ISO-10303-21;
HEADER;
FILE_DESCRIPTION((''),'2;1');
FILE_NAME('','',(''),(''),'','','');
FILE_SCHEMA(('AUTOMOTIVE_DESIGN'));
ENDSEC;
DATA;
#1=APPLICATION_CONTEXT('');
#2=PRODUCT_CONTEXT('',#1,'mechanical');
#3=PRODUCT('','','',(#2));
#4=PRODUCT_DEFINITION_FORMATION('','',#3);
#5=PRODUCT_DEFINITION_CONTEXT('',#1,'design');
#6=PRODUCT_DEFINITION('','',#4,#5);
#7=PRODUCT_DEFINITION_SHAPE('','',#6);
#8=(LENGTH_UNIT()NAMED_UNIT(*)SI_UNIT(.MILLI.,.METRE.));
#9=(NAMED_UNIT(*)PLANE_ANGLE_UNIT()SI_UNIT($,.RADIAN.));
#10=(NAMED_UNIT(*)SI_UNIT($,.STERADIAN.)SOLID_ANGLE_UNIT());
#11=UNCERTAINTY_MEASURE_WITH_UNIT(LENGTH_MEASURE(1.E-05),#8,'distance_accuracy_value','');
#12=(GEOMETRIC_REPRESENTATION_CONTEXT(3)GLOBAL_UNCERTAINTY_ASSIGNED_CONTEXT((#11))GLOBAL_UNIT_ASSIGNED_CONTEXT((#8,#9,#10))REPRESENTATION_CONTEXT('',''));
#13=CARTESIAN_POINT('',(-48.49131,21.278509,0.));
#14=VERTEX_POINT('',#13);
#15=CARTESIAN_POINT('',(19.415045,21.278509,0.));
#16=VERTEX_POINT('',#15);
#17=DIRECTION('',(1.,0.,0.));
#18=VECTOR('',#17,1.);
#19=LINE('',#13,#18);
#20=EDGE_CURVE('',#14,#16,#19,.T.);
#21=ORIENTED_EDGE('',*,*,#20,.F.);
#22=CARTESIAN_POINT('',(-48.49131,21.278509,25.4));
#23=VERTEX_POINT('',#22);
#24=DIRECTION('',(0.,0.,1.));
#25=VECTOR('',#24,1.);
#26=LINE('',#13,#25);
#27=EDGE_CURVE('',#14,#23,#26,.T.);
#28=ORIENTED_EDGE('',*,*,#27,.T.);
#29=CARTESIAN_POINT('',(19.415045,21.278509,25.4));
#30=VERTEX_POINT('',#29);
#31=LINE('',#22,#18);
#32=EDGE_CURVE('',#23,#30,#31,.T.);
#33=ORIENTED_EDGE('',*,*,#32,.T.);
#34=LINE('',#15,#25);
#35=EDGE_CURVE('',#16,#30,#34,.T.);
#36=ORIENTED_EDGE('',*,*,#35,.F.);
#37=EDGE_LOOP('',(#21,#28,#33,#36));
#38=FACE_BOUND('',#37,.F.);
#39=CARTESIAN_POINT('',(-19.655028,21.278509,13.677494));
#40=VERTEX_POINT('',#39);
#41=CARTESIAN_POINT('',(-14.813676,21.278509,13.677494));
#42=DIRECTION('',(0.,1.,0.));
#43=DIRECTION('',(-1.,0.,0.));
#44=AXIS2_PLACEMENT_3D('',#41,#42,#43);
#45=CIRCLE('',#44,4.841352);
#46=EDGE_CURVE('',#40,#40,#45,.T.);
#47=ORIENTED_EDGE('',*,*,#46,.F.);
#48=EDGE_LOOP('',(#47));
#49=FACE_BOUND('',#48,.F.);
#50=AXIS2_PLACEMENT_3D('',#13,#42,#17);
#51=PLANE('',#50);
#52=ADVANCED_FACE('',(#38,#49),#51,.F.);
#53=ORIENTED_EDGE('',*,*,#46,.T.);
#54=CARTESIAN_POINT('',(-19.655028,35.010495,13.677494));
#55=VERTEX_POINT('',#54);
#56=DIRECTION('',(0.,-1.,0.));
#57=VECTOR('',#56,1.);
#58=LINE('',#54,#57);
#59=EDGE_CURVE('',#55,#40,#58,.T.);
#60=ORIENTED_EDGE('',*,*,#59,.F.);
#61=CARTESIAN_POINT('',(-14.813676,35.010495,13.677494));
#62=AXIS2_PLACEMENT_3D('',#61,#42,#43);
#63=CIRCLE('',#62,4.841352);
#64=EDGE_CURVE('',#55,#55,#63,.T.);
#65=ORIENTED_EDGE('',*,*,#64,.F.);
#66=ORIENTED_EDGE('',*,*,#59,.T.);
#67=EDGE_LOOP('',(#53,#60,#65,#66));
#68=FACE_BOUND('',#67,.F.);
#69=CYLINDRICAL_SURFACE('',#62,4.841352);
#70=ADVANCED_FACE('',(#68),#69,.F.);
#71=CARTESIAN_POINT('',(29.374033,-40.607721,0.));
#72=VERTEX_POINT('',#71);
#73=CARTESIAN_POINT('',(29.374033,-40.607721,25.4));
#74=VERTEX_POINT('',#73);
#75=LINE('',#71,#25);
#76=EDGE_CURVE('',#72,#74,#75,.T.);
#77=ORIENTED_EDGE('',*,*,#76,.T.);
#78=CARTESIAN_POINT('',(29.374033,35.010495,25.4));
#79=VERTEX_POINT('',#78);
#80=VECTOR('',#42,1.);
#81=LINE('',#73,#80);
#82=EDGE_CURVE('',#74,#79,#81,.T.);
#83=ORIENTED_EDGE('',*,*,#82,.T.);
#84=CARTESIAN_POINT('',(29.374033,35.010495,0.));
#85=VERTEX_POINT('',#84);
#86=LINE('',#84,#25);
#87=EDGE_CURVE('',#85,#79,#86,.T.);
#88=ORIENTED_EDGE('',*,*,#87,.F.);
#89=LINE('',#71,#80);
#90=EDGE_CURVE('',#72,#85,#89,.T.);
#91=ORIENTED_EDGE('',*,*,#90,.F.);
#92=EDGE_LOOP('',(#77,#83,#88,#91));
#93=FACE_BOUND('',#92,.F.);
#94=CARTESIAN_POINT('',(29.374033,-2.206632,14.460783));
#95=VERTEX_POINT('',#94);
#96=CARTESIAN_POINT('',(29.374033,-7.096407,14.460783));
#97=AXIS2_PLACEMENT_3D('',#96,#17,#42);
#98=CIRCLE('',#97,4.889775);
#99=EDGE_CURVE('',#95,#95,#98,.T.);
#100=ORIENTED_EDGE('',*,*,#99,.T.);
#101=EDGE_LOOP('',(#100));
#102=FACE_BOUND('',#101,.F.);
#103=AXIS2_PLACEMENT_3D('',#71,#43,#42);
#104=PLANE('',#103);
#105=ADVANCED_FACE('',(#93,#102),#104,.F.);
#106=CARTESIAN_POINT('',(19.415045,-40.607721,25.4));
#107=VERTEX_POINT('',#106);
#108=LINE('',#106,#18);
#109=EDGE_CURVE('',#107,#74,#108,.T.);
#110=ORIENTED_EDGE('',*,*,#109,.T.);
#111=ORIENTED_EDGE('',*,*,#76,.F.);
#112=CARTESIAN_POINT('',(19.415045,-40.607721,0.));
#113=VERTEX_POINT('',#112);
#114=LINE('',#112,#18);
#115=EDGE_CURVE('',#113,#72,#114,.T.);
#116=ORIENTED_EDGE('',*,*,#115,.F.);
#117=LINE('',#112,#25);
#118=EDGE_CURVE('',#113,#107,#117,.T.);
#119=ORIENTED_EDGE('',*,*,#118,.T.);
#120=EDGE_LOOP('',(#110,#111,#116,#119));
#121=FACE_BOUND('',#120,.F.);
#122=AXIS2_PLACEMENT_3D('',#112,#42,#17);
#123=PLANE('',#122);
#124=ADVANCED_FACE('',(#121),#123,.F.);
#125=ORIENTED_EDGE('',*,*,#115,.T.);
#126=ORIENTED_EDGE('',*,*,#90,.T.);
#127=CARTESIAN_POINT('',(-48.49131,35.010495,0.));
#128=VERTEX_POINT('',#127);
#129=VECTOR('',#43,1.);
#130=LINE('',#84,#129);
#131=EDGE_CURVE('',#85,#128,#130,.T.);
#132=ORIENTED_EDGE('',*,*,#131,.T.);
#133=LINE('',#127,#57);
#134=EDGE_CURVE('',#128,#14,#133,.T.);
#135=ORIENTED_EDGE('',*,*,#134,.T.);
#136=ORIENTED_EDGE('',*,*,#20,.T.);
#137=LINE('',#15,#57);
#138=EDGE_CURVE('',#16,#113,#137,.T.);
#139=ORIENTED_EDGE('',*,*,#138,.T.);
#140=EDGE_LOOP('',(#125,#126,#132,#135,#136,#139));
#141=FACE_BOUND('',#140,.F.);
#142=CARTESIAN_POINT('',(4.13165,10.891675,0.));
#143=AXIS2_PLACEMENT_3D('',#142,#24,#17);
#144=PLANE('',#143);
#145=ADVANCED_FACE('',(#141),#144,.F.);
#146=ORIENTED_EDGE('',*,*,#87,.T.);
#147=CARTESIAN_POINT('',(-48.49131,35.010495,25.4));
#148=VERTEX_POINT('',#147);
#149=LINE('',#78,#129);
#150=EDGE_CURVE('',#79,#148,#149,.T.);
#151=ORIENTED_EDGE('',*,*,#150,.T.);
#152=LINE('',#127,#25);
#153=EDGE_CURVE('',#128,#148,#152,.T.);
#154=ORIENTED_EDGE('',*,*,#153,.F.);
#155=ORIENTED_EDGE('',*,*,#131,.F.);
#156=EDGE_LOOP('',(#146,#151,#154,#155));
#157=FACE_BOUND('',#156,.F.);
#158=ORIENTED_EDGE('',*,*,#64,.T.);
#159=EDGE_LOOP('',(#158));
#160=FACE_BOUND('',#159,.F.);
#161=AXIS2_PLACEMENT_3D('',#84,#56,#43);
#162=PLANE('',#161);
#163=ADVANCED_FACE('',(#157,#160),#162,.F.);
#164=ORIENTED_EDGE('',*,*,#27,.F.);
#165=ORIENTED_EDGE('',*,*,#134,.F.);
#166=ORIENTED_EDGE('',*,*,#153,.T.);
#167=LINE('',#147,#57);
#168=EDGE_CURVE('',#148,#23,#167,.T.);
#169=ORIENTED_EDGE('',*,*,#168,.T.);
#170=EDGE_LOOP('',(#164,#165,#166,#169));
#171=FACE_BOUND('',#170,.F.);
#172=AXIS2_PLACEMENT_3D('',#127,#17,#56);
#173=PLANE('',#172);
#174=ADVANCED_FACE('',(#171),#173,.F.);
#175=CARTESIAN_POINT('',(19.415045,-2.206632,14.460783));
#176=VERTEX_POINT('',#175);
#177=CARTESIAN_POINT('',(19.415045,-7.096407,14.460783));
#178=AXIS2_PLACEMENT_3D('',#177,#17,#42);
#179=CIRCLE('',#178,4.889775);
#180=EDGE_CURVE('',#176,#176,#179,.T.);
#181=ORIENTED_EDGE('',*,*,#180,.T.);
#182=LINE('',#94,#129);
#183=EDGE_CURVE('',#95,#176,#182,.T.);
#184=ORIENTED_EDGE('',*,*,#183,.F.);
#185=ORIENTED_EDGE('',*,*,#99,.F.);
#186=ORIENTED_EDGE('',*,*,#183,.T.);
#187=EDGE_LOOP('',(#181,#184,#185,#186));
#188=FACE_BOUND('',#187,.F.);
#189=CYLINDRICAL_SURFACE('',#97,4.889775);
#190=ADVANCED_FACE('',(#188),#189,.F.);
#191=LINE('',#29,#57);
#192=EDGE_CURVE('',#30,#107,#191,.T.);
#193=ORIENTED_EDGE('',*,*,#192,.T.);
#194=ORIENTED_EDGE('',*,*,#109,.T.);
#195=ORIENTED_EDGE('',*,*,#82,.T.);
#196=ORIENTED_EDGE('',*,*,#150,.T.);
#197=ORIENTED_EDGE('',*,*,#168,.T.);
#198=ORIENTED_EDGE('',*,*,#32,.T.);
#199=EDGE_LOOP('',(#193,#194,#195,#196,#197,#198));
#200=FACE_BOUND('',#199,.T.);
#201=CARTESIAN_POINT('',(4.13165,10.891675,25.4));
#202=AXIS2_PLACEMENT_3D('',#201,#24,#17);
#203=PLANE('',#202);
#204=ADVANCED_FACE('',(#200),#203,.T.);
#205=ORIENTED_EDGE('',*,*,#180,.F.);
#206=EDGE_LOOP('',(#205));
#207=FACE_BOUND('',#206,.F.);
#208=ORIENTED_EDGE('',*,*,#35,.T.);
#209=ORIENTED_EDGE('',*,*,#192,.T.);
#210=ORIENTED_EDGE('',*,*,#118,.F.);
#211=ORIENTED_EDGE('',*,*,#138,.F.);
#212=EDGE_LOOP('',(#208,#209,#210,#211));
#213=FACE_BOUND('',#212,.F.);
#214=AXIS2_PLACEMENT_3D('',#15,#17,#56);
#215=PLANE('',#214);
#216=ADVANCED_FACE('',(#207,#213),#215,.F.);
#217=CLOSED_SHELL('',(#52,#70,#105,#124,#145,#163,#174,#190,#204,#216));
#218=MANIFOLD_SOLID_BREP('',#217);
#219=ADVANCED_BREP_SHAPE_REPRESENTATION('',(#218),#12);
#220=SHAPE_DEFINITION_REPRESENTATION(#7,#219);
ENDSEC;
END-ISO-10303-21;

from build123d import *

# Parameters (mm, degrees)
F1_DEPTH = 25.4
F2_R     = 4.889775
F3_DEPTH = 25.4
F4_R     = 4.841352
F5_DEPTH = 14.478


with BuildPart() as f1:
    # F0 (on Top) → F1 (new body)
    with BuildSketch(Plane.XY):
        Polygon((29.374033, 35.010495), (-48.49131, 35.010495), (-48.49131, 21.278509), (19.415045, 21.278509), (19.415045, -40.607721), (29.374033, -40.607721), align=None)
    extrude(amount=F1_DEPTH)

    # F2 (on face) → F3 (cut)
    with BuildSketch(Plane.YZ.offset(29.374033)):
        with Locations((-7.096407, 14.460783)):
            Circle(F2_R)
    extrude(amount=-F3_DEPTH, mode=Mode.SUBTRACT)

    # F4 (on face) → F5 (cut)
    with BuildSketch(Plane(origin=(0, 35.010495, 0), x_dir=(-1, 0, 0), z_dir=(0, 1, 0))):
        with Locations((14.813676, 13.677494)):
            Circle(F4_R)
    extrude(amount=-F5_DEPTH, mode=Mode.SUBTRACT)


solid = f1.part
